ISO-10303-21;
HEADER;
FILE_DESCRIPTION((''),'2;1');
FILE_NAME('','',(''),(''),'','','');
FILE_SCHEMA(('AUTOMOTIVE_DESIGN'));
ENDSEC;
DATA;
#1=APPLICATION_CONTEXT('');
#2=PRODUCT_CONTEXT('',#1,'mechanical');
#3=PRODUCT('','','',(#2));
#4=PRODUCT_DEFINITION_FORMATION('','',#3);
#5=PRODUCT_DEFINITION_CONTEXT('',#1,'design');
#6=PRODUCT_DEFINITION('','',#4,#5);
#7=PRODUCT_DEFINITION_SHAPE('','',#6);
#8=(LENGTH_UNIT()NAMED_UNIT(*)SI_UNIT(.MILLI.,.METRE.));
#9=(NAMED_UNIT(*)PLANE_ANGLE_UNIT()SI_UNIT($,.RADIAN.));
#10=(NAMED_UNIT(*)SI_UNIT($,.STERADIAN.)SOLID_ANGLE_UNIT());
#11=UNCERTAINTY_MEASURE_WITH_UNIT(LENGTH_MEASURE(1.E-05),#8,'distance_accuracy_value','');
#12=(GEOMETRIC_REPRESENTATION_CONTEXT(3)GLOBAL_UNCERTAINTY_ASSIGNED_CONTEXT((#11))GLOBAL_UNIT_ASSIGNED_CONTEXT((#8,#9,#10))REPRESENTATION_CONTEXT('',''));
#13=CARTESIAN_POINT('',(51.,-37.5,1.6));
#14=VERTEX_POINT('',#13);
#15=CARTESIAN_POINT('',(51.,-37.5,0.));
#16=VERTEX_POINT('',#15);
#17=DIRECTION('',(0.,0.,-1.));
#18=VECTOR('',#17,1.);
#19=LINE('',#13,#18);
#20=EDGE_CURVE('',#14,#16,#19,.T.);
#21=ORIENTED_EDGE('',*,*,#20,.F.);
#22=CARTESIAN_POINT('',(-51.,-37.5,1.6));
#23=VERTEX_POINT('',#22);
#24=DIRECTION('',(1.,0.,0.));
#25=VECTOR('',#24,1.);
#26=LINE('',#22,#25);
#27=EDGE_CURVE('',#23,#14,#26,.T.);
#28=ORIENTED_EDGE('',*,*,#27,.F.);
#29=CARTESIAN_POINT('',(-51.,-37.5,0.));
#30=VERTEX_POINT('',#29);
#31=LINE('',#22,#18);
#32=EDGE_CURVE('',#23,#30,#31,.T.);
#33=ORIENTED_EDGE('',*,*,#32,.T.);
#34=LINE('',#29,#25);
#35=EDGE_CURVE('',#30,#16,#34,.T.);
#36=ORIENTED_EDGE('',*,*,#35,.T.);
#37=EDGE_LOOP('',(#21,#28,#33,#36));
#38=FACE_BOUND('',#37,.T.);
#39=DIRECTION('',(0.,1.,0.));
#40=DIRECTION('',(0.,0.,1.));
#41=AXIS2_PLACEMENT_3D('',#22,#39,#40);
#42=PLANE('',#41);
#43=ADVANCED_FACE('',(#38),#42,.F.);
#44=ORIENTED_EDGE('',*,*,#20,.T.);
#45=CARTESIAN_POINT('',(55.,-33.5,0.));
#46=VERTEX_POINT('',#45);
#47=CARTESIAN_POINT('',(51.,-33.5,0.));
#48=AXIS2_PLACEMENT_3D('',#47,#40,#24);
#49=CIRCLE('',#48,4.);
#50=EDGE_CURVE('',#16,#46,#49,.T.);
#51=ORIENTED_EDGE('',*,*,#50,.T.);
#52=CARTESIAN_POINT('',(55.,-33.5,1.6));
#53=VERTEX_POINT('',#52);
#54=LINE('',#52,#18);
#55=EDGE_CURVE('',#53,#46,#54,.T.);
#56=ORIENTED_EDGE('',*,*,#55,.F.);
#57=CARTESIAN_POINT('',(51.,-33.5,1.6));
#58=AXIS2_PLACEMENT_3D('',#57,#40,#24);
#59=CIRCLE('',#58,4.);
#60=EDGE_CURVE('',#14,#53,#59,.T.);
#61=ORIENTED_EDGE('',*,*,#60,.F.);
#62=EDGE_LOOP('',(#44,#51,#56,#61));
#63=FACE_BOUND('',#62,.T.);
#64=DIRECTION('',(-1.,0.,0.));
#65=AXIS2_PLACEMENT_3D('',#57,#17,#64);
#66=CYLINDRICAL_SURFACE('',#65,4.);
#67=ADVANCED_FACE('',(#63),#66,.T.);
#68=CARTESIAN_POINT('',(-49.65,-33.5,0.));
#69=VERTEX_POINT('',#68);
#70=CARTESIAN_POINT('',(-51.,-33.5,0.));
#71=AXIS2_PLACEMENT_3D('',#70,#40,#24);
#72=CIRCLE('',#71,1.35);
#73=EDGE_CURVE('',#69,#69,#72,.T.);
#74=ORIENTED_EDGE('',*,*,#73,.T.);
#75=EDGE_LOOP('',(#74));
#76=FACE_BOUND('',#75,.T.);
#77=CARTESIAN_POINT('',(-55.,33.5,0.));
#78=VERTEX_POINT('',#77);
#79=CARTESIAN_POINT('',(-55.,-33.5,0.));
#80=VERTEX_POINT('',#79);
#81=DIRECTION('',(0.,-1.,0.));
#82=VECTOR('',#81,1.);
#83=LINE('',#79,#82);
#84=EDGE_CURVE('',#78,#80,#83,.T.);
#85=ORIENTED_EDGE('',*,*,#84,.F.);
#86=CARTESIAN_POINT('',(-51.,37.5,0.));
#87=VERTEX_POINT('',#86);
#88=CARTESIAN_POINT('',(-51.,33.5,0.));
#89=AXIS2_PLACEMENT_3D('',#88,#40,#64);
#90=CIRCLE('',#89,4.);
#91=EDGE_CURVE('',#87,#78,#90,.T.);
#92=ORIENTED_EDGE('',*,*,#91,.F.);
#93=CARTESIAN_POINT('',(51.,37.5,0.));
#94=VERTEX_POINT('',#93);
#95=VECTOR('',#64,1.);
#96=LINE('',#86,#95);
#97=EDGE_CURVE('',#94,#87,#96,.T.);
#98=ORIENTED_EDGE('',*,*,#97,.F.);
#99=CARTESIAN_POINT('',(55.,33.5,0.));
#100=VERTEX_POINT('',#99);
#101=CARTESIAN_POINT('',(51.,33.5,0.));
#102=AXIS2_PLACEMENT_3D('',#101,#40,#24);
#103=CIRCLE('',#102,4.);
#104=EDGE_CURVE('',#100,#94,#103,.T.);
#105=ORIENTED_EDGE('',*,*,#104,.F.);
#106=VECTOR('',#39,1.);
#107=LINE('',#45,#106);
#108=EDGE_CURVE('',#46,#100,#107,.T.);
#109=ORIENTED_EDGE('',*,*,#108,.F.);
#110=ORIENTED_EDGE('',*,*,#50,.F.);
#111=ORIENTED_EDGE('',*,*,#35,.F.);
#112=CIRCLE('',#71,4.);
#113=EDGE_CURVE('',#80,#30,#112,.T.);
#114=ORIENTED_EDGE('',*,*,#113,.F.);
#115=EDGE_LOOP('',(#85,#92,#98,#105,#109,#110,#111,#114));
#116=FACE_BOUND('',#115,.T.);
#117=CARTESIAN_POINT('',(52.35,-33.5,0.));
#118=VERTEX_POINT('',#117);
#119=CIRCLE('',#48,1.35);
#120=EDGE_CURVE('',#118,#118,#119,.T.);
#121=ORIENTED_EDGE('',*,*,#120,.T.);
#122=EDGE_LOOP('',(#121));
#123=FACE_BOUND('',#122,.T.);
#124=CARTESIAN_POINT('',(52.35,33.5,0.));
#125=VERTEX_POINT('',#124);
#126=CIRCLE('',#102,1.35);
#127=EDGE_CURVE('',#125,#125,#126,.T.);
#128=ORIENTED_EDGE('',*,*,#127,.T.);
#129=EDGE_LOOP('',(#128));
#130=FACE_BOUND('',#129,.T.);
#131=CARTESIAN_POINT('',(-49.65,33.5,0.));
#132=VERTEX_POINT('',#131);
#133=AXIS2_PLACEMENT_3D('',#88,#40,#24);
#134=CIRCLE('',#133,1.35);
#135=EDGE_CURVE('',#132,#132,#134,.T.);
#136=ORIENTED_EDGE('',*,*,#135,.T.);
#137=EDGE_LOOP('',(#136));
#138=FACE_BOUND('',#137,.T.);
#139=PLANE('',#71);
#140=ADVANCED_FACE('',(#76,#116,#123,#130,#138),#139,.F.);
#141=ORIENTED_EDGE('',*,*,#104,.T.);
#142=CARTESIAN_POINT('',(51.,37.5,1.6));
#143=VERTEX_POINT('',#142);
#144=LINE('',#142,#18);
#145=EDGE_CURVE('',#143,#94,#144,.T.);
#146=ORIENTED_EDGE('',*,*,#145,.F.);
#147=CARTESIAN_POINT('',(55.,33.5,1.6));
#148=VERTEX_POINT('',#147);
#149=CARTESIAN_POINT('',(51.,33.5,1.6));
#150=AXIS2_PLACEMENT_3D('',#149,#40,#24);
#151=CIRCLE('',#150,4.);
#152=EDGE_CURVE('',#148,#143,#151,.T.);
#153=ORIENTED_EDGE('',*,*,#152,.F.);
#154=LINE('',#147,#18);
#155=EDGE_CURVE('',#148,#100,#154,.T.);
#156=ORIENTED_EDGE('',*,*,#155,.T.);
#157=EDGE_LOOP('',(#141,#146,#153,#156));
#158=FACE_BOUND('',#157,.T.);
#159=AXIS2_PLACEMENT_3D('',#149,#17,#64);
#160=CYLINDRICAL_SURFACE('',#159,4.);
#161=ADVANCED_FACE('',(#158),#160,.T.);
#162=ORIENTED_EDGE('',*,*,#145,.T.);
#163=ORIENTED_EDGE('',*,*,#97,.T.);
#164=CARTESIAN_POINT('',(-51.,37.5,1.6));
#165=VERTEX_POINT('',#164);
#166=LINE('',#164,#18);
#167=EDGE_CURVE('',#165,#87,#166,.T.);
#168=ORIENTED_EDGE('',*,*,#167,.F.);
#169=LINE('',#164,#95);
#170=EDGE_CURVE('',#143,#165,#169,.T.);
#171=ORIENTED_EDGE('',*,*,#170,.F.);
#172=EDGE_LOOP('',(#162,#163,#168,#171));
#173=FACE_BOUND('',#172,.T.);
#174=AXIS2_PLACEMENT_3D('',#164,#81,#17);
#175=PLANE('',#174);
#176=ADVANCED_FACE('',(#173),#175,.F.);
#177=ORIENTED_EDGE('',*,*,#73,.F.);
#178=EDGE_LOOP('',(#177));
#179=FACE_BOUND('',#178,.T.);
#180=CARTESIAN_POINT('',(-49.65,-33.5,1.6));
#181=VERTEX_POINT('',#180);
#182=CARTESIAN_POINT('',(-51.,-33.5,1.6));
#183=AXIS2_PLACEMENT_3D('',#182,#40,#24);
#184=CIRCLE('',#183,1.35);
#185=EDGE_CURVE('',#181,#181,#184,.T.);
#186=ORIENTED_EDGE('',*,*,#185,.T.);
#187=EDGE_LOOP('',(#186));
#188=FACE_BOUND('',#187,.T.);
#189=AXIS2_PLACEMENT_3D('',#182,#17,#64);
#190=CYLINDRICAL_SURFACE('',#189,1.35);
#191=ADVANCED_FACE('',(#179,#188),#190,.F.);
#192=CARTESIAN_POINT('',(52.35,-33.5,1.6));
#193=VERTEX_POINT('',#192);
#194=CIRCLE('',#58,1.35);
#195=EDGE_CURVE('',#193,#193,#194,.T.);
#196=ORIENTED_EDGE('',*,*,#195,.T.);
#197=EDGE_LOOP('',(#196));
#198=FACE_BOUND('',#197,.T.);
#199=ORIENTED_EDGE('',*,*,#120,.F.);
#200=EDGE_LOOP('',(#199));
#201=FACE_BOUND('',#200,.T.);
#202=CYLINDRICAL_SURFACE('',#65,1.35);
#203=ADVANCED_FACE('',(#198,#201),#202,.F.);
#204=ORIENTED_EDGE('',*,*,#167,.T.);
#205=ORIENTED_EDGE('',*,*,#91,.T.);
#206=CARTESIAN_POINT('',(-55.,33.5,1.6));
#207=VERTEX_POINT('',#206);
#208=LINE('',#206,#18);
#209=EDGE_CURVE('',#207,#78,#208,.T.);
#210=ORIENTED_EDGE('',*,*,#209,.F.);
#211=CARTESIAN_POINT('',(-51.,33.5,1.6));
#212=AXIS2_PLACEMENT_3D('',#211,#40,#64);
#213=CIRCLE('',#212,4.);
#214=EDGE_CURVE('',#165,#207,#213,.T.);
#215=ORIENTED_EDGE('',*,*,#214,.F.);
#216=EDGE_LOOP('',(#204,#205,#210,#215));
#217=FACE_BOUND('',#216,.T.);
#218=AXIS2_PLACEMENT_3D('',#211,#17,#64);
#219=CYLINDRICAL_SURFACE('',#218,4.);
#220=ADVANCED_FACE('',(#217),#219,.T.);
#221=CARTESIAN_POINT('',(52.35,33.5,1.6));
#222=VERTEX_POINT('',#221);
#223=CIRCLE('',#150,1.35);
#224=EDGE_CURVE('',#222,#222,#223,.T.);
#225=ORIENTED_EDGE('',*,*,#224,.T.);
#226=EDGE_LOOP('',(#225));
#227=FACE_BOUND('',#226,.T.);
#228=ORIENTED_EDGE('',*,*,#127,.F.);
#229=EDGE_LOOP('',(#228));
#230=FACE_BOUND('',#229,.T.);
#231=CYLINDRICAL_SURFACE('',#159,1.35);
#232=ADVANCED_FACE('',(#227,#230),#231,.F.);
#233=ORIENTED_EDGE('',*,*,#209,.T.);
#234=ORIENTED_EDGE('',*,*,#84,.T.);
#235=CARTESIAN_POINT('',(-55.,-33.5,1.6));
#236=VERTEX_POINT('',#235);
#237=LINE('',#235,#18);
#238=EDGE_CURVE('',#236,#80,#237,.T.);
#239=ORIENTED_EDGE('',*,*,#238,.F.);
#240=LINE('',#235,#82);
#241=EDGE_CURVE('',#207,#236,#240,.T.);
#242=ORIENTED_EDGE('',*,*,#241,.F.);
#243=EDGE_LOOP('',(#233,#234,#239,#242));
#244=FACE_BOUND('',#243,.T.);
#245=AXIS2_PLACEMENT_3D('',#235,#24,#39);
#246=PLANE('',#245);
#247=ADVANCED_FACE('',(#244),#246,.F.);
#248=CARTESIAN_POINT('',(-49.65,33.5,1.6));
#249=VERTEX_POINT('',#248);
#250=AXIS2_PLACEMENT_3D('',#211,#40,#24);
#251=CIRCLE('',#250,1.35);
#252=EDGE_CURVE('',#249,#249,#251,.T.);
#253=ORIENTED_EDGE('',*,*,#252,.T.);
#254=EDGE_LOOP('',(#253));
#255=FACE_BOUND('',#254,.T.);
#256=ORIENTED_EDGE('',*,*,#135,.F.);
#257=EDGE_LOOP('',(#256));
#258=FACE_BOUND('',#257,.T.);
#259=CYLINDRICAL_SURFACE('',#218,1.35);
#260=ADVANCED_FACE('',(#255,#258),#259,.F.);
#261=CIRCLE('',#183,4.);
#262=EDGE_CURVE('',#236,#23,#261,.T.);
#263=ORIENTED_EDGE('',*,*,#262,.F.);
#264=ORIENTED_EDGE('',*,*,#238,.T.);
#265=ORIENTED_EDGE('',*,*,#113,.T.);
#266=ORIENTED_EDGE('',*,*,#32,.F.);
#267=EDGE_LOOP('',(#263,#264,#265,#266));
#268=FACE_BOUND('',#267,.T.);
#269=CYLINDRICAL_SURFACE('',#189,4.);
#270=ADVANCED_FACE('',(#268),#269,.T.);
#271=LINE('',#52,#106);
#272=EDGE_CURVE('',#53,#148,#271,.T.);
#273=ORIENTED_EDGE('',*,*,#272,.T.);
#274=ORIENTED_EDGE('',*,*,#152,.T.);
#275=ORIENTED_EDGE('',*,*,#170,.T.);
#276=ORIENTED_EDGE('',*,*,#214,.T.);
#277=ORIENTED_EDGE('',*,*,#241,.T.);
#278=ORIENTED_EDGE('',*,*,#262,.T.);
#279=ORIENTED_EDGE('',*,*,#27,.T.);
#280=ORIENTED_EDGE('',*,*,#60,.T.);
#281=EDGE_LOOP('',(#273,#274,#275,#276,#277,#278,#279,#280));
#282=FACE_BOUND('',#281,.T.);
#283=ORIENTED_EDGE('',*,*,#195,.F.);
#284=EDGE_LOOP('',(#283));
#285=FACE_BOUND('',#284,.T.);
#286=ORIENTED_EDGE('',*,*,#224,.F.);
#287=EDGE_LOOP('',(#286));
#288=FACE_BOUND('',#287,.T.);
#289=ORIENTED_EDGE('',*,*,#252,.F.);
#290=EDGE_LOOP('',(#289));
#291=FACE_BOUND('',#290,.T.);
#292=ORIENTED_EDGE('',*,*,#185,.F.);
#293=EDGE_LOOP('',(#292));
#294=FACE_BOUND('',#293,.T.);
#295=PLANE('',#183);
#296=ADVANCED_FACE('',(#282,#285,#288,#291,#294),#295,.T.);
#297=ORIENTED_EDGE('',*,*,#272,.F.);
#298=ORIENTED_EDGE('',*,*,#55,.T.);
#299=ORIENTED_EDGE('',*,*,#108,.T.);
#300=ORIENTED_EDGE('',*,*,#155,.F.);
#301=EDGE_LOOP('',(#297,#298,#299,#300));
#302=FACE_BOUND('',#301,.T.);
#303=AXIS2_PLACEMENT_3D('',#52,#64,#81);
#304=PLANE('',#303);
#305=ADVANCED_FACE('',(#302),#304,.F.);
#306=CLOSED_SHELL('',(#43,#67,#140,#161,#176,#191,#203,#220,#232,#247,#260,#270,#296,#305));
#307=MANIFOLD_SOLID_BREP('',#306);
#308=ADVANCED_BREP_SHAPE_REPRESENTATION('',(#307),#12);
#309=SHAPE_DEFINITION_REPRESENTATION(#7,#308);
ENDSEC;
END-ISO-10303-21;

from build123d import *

# Parameters (mm, degrees)
SKETCH1_R           = 1.35
BOSS_EXTRUDE1_DEPTH = 1.6


with BuildPart() as part:
    # Sketch1 → Boss-Extrude1 (new body)
    with BuildSketch(Plane.XY):
        with BuildLine():
            Line((-51, -37.5), (51, -37.5))
            ThreePointArc((51, -37.5), (53.828427125, -36.328427125), (55, -33.5))
            Line((55, -33.5), (55, 33.5))
            ThreePointArc((55, 33.5), (53.828427125, 36.328427125), (51, 37.5))
            Line((51, 37.5), (-51, 37.5))
            ThreePointArc((-51, 37.5), (-53.828427125, 36.328427125), (-55, 33.5))
            Line((-55, 33.5), (-55, -33.5))
            ThreePointArc((-55, -33.5), (-53.828427125, -36.328427125), (-51, -37.5))
        make_face()
        with Locations((-51, 33.5)):
            Circle(SKETCH1_R, mode=Mode.SUBTRACT)
        with Locations((51, 33.5)):
            Circle(SKETCH1_R, mode=Mode.SUBTRACT)
        with Locations((51, -33.5)):
            Circle(SKETCH1_R, mode=Mode.SUBTRACT)
        with Locations((-51, -33.5)):
            Circle(SKETCH1_R, mode=Mode.SUBTRACT)
    extrude(amount=BOSS_EXTRUDE1_DEPTH)


solid = part.part
